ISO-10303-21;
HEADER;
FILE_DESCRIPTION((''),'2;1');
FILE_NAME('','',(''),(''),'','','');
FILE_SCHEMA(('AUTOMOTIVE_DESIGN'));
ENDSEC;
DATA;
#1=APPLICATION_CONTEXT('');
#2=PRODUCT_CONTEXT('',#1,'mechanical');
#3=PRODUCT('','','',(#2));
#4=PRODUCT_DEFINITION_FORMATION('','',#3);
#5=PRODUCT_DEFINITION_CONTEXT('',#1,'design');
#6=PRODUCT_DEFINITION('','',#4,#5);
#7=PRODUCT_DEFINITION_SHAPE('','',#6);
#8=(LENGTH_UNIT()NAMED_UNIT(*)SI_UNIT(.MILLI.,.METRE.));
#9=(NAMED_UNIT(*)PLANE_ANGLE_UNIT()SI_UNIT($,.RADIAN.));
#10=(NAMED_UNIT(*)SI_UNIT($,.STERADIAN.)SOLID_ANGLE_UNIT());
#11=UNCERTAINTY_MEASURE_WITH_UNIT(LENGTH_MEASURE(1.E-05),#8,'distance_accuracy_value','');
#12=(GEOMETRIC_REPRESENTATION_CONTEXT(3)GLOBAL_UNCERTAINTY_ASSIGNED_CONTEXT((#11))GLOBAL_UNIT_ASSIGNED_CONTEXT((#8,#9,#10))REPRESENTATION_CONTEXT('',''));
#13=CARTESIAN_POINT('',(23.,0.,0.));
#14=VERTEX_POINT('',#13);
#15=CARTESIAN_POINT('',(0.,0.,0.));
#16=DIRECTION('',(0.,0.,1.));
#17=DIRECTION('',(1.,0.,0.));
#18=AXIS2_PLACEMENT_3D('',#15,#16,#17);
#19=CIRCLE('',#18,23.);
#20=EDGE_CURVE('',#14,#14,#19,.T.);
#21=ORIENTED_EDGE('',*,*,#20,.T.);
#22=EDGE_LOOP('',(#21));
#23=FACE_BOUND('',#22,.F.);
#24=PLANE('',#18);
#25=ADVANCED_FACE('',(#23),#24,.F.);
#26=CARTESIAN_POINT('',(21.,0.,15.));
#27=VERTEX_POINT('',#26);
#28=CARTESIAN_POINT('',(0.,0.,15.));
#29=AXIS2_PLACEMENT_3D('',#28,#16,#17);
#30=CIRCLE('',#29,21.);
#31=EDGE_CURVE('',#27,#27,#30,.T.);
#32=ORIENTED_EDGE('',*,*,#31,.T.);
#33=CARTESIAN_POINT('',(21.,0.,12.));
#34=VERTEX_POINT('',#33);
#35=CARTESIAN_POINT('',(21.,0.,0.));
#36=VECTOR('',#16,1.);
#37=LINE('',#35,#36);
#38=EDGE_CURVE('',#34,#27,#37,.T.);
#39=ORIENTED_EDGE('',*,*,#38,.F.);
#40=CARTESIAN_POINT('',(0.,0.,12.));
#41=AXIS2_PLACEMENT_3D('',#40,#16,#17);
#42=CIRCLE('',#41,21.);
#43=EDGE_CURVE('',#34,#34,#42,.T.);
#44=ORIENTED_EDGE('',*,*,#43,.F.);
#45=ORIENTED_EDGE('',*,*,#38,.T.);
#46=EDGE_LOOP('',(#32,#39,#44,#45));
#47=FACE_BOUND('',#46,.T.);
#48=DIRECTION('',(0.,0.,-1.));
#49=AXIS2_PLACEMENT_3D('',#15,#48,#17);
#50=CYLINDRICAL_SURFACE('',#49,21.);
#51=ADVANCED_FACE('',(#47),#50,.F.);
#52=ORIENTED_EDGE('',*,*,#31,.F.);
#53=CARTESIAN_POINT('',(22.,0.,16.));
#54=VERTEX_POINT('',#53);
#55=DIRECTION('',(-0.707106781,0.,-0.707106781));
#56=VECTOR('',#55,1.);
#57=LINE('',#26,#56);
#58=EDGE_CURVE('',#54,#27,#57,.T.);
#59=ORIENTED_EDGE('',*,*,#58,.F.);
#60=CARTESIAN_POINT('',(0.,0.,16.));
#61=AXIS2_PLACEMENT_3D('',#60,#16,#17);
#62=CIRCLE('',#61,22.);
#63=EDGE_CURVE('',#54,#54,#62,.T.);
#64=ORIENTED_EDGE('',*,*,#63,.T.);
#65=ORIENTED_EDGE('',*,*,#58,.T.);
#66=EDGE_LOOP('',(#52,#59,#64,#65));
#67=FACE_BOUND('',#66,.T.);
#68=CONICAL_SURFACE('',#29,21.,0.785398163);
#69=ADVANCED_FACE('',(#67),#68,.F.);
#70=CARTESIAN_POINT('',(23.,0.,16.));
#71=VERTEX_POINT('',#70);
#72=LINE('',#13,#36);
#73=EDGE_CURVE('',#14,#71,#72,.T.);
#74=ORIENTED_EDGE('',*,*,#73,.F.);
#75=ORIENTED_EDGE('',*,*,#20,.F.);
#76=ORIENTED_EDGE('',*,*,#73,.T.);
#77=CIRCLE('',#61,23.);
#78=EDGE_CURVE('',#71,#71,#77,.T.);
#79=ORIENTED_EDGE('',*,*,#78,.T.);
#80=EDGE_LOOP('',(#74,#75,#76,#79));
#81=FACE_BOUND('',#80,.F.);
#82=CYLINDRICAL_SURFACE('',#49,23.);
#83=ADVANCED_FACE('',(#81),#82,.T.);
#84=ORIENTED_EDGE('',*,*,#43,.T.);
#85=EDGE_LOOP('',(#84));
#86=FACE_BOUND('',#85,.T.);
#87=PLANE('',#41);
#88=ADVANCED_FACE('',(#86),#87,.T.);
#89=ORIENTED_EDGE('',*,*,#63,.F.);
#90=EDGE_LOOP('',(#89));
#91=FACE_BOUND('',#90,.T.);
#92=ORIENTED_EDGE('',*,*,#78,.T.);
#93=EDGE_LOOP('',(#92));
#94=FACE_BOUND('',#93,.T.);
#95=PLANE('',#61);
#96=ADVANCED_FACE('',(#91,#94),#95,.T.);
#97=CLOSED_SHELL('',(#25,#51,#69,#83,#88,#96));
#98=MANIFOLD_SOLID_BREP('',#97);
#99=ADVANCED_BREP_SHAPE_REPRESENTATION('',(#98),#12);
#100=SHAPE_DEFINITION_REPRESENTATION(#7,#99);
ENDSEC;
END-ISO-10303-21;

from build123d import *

# Parameters (mm, degrees)
F0_R     = 21
F1_DEPTH = 12
F2_R     = 23
F2_R_2   = 21
F3_DEPTH = 16
F4_SIZE  = 1


with BuildPart() as f1:
    # F0 (on Top) → F1 (new body)
    with BuildSketch(Plane.XY):
        Circle(F0_R)
    extrude(amount=F1_DEPTH)

    # F2 (on Top) → F3 (join)
    with BuildSketch(Plane.XY):
        Circle(F2_R)
        Circle(F2_R_2, mode=Mode.SUBTRACT)
    extrude(amount=F3_DEPTH)

    # F4
    f4_edges = [f1.edges().sort_by_distance(p)[0] for p in [
        (-21, 0, 16),
    ]]
    chamfer(f4_edges, length=F4_SIZE)


solid = f1.part
